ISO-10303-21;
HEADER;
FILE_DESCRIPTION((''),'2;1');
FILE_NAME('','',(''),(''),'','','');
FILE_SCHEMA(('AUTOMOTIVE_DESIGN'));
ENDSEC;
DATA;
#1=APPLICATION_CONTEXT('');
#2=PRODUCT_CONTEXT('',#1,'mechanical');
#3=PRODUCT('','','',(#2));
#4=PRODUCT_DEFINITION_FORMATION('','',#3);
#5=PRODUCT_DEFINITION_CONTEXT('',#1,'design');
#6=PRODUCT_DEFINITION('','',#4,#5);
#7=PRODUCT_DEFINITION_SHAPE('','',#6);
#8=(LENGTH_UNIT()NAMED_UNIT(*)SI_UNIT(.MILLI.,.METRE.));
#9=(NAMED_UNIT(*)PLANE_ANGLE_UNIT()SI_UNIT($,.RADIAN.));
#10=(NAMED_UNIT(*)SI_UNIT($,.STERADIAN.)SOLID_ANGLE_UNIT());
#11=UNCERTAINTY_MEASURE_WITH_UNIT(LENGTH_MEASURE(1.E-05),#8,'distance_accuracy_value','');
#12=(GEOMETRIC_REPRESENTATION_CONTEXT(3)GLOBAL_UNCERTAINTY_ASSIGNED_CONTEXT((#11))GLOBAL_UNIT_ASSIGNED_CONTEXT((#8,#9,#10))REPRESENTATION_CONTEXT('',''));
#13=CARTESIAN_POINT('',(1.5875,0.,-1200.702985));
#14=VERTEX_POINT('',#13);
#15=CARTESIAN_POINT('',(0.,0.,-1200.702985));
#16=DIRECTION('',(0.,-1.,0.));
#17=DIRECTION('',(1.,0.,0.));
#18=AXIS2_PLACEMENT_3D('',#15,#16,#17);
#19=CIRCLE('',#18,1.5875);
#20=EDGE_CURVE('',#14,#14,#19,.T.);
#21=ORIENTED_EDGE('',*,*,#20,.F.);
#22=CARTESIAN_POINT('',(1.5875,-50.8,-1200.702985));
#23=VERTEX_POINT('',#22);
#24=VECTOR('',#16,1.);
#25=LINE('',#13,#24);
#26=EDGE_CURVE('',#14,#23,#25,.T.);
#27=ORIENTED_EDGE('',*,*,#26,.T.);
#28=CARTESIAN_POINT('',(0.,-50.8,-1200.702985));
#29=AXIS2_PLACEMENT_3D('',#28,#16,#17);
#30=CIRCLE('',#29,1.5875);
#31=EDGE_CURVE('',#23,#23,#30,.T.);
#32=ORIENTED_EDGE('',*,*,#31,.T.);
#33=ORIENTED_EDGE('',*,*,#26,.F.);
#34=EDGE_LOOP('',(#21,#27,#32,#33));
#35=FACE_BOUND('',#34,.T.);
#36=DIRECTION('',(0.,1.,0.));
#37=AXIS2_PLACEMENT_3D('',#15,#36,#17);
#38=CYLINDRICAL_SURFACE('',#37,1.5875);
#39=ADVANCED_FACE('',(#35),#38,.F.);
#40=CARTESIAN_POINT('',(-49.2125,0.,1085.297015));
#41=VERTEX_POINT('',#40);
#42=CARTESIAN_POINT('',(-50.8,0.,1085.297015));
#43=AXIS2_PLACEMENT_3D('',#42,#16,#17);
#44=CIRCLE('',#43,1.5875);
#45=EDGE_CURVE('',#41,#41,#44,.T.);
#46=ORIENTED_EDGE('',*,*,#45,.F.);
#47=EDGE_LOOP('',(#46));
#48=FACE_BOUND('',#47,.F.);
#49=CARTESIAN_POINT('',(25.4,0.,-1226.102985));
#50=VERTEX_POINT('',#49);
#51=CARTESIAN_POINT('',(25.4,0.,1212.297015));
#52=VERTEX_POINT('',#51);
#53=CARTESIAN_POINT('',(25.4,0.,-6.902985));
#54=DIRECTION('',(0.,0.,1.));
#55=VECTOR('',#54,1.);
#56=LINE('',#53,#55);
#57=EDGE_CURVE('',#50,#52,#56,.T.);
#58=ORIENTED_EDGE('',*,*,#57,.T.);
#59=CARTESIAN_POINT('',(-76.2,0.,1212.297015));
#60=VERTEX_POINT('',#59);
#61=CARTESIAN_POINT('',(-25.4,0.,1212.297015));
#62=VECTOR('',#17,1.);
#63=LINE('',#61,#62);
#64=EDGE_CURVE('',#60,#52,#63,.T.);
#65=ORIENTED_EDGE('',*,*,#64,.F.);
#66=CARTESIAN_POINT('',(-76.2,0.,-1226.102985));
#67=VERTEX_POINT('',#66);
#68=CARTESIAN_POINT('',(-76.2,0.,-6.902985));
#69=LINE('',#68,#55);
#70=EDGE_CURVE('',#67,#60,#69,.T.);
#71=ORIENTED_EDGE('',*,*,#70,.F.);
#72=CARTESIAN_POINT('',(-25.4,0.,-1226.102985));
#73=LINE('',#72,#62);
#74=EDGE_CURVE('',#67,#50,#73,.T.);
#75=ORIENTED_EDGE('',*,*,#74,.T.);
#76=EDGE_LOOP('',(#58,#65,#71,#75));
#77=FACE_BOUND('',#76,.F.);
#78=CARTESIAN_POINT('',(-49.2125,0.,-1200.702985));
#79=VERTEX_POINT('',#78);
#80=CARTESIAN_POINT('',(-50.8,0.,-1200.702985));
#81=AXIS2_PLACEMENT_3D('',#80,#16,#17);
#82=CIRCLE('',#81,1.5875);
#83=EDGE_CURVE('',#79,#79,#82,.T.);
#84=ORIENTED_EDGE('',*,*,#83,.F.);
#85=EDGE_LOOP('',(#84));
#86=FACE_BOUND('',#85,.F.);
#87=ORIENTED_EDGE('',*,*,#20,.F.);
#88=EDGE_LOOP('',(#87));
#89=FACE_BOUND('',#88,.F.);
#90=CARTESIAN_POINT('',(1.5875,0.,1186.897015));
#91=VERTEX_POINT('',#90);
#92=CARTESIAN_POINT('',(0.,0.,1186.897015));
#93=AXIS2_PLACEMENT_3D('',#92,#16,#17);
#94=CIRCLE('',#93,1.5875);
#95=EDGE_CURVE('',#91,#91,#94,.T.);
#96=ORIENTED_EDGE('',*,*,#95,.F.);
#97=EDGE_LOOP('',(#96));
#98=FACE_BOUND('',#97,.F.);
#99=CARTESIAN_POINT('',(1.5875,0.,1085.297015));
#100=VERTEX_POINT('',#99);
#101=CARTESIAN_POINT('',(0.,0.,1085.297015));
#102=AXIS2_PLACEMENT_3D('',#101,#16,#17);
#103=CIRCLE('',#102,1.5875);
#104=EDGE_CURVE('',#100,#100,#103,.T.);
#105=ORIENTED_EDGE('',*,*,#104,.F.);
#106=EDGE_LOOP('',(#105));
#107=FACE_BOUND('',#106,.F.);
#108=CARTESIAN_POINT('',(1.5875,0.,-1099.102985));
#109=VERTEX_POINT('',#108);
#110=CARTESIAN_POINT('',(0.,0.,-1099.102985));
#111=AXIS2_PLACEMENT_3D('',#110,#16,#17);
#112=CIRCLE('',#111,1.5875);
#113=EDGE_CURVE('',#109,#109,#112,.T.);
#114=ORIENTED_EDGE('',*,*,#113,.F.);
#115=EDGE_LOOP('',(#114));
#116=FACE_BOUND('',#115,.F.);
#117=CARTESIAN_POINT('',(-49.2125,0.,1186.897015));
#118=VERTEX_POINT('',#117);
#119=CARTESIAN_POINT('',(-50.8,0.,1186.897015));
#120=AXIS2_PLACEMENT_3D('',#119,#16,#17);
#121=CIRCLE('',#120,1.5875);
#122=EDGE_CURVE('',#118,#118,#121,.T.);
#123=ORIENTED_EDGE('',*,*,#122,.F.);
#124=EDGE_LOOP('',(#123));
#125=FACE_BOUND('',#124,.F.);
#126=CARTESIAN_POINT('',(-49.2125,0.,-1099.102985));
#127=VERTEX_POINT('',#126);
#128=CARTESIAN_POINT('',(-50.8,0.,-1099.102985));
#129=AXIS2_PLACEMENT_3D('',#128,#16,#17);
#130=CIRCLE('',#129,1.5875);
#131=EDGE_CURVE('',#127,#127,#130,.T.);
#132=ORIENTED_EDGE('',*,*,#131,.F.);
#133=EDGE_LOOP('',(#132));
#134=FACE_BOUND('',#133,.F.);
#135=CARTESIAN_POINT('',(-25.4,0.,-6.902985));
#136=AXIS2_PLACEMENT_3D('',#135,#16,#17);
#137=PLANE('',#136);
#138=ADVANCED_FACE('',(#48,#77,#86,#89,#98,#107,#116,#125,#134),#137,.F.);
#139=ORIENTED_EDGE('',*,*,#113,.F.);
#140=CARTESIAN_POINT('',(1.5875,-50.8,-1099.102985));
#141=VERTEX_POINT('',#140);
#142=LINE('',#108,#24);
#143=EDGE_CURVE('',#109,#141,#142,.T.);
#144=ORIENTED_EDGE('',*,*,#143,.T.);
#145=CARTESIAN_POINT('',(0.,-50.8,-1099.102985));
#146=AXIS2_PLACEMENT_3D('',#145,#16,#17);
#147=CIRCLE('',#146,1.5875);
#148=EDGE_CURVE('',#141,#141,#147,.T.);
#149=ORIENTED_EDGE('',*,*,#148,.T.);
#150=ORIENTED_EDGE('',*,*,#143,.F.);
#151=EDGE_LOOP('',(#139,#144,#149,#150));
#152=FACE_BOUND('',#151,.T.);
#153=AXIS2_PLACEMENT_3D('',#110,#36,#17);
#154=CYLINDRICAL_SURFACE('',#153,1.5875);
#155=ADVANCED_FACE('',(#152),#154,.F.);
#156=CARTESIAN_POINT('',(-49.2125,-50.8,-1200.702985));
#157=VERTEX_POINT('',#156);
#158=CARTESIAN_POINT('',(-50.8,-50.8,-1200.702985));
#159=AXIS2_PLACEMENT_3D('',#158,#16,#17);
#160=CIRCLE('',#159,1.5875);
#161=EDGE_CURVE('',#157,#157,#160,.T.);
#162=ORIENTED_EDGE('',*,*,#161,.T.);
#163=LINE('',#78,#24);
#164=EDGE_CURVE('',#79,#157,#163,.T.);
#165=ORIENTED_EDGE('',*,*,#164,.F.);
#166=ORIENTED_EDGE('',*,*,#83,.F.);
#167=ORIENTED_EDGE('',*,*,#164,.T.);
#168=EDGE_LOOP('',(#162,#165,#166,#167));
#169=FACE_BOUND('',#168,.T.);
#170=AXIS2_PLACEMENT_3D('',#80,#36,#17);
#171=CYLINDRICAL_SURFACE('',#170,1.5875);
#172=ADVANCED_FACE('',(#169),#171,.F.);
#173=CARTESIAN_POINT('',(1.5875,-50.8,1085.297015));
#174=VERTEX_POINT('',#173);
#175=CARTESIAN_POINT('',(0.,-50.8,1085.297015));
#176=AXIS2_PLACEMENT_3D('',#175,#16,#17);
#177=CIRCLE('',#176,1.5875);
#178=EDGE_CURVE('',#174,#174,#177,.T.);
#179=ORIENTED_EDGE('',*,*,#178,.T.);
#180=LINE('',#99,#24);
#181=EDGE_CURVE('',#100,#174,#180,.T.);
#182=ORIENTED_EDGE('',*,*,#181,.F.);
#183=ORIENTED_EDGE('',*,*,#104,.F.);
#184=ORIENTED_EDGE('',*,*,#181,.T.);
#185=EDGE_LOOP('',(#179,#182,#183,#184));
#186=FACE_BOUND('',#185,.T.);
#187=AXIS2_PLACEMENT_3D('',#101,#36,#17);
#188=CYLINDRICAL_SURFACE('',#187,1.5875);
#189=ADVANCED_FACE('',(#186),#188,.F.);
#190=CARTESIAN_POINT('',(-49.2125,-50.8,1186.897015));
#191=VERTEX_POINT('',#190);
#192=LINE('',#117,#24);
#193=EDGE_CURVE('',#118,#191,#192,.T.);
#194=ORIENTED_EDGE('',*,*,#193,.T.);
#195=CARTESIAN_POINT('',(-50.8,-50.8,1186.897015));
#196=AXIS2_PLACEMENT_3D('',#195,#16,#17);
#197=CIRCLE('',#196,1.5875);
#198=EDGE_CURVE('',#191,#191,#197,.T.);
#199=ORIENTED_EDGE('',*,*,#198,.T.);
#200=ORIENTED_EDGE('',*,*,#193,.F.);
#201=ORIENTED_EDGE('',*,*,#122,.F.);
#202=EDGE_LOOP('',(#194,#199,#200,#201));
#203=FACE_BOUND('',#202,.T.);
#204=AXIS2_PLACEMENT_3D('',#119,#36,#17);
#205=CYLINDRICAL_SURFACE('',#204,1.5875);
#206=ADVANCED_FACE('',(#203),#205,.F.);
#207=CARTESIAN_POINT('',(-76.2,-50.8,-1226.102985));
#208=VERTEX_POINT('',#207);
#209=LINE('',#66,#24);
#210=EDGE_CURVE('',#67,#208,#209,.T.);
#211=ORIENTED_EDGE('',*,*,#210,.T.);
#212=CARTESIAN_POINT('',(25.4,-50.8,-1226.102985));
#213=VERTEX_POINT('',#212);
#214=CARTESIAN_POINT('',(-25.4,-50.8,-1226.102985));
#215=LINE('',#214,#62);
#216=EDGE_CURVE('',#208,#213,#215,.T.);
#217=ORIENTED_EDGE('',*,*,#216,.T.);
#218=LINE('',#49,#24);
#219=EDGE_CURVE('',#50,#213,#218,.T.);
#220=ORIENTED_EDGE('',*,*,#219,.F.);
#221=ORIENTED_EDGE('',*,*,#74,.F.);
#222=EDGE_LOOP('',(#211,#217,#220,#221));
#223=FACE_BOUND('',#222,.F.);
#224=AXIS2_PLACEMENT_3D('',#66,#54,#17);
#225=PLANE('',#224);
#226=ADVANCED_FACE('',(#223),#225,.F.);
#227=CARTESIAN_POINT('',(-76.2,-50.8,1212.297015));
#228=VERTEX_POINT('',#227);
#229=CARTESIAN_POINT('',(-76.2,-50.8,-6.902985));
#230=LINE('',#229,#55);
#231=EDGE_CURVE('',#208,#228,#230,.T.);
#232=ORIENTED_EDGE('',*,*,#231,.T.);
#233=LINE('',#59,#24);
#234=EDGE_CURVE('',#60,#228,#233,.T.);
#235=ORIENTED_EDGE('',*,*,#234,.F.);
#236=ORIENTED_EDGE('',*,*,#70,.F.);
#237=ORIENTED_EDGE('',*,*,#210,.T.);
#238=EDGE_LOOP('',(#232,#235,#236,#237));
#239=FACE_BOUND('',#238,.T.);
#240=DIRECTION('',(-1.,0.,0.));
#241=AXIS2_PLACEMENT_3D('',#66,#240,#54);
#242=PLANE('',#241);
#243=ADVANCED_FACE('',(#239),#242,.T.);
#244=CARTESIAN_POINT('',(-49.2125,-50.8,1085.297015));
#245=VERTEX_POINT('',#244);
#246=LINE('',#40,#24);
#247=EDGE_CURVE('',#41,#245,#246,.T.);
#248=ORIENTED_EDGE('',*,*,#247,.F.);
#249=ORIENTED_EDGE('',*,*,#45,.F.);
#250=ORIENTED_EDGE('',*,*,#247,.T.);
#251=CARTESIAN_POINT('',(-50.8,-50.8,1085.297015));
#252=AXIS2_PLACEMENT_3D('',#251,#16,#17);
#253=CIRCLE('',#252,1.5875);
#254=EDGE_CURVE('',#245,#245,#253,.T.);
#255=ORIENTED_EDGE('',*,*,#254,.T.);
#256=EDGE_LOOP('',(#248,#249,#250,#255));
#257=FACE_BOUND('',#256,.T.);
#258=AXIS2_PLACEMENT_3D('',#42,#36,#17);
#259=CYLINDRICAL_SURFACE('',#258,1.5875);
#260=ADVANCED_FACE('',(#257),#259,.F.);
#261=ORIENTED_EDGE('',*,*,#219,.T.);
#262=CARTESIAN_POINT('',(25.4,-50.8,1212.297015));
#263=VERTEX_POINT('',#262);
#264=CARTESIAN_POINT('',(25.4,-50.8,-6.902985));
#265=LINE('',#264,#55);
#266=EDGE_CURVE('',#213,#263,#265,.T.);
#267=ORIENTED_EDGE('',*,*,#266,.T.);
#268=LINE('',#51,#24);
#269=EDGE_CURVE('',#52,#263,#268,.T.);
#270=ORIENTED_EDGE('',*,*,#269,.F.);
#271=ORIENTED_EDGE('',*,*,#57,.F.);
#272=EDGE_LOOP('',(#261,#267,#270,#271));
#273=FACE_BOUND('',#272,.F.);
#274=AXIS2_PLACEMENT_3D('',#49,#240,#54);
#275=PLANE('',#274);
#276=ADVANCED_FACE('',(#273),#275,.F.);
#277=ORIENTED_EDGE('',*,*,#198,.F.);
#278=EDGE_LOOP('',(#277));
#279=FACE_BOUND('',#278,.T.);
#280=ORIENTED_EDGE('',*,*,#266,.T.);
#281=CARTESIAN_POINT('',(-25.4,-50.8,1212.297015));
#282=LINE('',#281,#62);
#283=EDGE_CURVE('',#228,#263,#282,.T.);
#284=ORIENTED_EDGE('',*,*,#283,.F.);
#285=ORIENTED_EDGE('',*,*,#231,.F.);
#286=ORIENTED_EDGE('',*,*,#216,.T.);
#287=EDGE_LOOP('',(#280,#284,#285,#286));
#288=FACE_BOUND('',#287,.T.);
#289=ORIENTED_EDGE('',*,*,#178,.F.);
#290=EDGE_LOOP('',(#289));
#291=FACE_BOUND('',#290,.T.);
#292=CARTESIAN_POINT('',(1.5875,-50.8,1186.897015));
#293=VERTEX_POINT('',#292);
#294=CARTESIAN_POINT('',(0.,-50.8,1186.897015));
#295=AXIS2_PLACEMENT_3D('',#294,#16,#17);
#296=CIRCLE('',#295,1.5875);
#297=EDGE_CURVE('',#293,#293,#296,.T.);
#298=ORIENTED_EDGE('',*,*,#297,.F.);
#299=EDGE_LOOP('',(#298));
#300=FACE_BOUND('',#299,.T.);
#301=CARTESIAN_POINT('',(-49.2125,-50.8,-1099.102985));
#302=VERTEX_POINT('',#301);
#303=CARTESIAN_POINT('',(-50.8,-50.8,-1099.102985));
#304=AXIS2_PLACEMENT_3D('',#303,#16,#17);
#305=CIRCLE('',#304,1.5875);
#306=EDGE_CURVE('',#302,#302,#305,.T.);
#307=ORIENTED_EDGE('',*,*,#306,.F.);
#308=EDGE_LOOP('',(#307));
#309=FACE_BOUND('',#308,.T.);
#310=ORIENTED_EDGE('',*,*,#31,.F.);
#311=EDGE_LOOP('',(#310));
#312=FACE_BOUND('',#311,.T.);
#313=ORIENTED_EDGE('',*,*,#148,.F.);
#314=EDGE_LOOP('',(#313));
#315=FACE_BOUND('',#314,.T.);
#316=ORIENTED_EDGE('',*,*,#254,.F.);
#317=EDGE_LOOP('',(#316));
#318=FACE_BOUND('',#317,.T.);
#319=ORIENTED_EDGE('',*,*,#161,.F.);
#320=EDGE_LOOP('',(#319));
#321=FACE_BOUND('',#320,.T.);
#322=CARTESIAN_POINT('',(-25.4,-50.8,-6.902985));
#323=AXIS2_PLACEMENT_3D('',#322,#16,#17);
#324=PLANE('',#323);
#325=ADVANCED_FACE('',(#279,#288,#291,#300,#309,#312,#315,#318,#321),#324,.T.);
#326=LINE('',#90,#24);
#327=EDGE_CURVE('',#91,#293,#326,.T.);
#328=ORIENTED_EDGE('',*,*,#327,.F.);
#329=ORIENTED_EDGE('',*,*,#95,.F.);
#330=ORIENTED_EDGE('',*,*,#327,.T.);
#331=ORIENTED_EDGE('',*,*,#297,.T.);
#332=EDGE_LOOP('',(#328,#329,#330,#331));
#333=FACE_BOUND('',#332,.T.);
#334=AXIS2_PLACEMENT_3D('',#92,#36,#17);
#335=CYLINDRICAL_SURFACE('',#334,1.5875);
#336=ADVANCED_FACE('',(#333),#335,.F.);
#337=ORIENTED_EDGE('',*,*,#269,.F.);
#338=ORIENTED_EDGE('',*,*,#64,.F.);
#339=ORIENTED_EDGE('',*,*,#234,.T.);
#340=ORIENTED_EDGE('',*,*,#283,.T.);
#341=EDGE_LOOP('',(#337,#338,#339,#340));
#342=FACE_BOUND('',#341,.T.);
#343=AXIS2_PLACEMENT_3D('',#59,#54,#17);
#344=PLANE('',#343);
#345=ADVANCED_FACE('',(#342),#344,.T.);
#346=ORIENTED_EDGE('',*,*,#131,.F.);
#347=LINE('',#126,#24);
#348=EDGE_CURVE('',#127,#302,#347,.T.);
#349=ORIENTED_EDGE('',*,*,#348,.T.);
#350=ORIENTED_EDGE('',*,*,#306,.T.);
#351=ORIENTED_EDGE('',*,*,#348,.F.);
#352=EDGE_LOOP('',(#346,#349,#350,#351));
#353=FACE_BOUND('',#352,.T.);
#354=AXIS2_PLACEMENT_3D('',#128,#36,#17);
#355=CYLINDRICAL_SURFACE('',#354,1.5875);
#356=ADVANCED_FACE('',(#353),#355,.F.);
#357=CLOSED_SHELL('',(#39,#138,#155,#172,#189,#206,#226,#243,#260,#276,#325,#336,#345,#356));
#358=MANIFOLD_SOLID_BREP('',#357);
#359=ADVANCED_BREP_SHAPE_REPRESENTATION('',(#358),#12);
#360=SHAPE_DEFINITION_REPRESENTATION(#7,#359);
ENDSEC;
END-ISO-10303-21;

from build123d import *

# Parameters (mm, degrees)
F0_W     = 101.6
F0_H     = 2438.4
F0_R     = 1.5875
F1_DEPTH = 50.8


with BuildPart() as f1:
    # F0 (on Front) → F1 (new body)
    with BuildSketch(Plane.XZ):
        with Locations((-25.4, -6.902985)):
            Rectangle(F0_W, F0_H)
        with Locations((-50.8, -1200.702985)):
            Circle(F0_R, mode=Mode.SUBTRACT)
        with Locations((-50.8, -1099.102985)):
            Circle(F0_R, mode=Mode.SUBTRACT)
        with Locations((0, -1200.702985)):
            Circle(F0_R, mode=Mode.SUBTRACT)
        with Locations((0, -1099.102985)):
            Circle(F0_R, mode=Mode.SUBTRACT)
        with Locations((-50.8, 1085.297015)):
            Circle(F0_R, mode=Mode.SUBTRACT)
        with Locations((-50.8, 1186.897015)):
            Circle(F0_R, mode=Mode.SUBTRACT)
        with Locations((0, 1085.297015)):
            Circle(F0_R, mode=Mode.SUBTRACT)
        with Locations((0, 1186.897015)):
            Circle(F0_R, mode=Mode.SUBTRACT)
    extrude(amount=F1_DEPTH)


solid = f1.part
